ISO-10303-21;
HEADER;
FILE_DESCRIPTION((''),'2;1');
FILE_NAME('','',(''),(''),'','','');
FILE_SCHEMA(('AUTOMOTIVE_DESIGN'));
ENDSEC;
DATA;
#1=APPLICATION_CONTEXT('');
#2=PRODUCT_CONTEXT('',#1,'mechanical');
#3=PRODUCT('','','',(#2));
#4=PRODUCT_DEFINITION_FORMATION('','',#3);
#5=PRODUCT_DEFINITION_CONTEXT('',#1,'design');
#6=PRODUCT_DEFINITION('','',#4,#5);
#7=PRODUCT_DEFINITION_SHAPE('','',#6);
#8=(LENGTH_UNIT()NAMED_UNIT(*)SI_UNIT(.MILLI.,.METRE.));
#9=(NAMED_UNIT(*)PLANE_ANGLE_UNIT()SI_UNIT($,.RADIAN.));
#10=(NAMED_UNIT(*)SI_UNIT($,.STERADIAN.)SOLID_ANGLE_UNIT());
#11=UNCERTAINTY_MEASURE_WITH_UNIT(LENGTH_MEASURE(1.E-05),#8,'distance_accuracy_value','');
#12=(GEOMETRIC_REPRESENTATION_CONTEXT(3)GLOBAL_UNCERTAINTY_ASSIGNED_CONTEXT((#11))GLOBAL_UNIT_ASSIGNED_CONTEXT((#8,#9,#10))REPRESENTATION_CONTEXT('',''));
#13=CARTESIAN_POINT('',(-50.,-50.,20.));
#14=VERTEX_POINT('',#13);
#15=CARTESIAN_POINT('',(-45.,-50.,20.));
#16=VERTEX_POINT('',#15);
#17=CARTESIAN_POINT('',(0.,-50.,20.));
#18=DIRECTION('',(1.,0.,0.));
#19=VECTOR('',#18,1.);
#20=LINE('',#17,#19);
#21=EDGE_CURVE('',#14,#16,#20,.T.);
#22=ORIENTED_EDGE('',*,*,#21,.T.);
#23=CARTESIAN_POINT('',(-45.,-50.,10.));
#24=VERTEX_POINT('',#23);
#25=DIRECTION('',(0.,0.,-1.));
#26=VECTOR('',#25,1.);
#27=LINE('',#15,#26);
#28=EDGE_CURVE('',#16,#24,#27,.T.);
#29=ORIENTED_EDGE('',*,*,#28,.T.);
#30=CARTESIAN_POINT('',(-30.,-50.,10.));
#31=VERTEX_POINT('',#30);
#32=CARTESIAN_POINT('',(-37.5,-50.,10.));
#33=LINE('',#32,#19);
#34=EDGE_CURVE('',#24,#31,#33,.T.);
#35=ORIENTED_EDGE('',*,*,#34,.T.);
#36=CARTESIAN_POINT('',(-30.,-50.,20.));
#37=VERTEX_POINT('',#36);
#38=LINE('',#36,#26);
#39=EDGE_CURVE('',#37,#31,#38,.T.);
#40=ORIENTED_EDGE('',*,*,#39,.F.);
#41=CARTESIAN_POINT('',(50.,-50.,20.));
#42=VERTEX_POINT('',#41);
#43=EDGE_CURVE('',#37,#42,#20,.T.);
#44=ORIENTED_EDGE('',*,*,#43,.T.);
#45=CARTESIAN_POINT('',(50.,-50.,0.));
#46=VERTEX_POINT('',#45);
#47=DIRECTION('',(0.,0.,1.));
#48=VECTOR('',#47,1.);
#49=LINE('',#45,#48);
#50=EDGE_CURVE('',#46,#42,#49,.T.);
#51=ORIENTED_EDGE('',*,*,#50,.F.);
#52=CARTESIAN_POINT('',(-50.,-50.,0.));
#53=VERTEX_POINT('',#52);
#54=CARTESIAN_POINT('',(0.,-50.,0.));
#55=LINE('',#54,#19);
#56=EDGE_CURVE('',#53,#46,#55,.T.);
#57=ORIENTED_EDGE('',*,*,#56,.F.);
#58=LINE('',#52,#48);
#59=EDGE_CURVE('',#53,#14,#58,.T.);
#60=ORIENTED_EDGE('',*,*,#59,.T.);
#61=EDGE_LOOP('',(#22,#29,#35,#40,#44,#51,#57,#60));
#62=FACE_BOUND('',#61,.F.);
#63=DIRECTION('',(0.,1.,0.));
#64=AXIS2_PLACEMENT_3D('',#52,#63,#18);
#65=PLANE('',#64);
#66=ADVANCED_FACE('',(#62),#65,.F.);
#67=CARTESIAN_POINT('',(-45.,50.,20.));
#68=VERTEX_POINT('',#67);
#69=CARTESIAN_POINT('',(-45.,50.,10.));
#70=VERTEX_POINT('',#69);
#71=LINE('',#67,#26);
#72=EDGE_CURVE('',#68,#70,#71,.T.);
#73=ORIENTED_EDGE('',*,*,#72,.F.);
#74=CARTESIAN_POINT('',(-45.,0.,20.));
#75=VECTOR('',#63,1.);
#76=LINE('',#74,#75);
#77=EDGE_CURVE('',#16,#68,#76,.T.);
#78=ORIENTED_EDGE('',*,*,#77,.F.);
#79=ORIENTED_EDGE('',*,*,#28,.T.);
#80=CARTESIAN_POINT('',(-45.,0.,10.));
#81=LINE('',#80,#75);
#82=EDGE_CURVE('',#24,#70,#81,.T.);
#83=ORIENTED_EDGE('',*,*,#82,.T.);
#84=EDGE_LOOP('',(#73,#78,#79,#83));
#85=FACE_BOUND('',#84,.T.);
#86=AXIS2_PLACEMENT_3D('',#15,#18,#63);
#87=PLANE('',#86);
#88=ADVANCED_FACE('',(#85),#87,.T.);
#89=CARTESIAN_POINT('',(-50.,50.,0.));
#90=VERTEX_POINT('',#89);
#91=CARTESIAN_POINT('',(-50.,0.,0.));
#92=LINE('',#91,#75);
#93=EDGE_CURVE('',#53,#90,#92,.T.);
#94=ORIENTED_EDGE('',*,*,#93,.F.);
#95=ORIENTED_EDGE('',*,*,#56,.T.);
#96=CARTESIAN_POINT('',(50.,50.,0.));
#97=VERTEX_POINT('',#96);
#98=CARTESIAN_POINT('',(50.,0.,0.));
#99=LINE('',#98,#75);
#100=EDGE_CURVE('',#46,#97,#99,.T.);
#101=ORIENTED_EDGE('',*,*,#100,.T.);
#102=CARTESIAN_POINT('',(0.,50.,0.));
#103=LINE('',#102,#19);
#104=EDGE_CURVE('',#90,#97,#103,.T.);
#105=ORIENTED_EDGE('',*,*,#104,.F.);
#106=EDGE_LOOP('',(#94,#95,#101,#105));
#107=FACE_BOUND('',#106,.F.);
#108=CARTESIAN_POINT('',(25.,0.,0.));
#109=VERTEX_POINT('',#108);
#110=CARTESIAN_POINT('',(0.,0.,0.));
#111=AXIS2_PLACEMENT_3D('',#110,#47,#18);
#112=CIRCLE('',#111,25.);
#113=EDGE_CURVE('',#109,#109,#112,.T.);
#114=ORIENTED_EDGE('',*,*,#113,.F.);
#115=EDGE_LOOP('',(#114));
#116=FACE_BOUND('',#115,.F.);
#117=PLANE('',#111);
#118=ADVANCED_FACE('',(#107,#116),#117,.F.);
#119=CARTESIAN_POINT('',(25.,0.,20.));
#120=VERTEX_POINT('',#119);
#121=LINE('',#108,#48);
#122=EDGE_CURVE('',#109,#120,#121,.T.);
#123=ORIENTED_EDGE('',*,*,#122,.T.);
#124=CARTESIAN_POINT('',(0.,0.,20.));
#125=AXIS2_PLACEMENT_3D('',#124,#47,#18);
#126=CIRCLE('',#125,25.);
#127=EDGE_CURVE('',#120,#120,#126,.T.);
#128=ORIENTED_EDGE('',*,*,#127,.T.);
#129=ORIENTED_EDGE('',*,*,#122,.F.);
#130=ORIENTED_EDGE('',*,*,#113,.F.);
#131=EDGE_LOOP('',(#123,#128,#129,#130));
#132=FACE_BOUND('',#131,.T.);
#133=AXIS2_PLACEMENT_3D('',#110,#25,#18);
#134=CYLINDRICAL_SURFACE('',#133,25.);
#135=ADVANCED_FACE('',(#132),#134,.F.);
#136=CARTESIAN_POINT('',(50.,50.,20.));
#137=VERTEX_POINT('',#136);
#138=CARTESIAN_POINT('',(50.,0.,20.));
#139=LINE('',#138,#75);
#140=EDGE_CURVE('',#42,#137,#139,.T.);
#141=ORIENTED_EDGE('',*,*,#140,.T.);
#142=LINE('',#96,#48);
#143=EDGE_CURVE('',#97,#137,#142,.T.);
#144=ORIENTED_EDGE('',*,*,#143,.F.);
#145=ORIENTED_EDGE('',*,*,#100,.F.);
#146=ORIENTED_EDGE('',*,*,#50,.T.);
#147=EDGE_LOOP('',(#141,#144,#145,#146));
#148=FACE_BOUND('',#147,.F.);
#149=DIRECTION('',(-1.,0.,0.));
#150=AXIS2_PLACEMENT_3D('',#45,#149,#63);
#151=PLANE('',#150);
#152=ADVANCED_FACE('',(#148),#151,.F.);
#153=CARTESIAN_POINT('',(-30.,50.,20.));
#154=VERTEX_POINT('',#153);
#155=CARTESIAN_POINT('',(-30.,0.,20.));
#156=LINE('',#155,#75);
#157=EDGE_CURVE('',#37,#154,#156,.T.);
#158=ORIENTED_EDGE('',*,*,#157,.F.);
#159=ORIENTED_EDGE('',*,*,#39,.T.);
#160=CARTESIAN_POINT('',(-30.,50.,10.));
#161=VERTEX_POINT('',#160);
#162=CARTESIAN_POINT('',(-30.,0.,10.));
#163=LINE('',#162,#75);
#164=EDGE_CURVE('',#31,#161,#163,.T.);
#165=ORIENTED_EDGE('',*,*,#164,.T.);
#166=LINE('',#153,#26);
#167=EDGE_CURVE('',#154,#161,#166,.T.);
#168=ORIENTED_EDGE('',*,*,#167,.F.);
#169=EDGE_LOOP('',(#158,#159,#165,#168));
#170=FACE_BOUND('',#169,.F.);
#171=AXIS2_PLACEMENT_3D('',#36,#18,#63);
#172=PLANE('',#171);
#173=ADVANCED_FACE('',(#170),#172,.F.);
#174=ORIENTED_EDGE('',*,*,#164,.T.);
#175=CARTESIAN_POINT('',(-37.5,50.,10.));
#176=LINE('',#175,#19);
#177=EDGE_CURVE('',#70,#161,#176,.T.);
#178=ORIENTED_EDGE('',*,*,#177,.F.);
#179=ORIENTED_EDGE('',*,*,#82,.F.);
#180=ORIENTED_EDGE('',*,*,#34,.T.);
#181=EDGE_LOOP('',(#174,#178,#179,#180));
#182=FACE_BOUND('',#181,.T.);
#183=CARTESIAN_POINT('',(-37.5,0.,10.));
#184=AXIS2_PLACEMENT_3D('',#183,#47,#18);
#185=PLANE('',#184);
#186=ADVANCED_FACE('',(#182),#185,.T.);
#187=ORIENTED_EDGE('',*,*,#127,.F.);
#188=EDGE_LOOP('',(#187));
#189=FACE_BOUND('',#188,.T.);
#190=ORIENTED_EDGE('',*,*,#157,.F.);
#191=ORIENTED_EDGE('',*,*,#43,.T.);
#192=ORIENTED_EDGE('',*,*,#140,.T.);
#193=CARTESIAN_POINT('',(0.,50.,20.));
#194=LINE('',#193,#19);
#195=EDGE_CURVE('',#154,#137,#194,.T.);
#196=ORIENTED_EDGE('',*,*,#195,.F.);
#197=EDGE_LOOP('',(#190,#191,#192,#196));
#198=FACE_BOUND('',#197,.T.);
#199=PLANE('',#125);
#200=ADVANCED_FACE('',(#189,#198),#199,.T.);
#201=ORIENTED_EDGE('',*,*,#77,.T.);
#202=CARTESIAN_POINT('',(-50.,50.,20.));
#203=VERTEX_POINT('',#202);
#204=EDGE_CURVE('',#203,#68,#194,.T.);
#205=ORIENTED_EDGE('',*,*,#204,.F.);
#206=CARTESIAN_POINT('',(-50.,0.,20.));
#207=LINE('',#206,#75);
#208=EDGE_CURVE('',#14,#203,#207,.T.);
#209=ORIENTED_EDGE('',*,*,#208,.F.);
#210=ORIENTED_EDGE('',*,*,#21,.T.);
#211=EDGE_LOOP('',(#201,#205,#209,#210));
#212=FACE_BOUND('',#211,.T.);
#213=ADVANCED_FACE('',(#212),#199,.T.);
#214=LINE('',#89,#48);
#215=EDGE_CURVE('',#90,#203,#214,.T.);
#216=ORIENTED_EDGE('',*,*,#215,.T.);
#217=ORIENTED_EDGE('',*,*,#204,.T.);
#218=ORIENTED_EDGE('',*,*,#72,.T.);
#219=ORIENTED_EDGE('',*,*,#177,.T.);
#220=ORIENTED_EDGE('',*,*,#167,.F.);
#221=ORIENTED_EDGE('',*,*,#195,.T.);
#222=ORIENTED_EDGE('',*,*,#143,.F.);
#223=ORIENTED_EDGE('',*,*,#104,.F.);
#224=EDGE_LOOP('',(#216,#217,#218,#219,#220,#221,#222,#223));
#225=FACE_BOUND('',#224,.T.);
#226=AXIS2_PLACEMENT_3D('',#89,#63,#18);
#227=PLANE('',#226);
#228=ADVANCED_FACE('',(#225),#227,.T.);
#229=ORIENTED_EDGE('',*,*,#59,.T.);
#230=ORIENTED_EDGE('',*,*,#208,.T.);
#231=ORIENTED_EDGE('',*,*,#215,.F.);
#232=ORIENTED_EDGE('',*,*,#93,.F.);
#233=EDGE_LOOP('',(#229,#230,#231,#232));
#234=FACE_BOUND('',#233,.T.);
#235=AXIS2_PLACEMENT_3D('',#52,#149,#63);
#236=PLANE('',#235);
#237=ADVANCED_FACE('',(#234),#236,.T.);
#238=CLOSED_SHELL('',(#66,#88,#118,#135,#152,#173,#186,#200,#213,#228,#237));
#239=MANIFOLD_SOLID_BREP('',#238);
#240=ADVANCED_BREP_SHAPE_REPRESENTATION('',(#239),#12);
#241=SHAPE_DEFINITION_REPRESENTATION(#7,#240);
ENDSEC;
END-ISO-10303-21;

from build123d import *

# Parameters (mm, degrees)
F1_W     = 100
F1_H     = 100
F1_R     = 25
F2_DEPTH = 20
F3_W     = 15
F3_H     = 100
F4_DEPTH = 10


with BuildPart() as f2:
    # F1 (on face) → F2 (new body)
    with BuildSketch(Plane.XY):
        Rectangle(F1_W, F1_H)
        Circle(F1_R, mode=Mode.SUBTRACT)
    extrude(amount=F2_DEPTH)

    # F3 (on face) → F4 (cut)
    with BuildSketch(Plane.XY.offset(20)):
        with Locations((-37.5, 0)):
            Rectangle(F3_W, F3_H)
    extrude(amount=-F4_DEPTH, mode=Mode.SUBTRACT)


solid = f2.part
